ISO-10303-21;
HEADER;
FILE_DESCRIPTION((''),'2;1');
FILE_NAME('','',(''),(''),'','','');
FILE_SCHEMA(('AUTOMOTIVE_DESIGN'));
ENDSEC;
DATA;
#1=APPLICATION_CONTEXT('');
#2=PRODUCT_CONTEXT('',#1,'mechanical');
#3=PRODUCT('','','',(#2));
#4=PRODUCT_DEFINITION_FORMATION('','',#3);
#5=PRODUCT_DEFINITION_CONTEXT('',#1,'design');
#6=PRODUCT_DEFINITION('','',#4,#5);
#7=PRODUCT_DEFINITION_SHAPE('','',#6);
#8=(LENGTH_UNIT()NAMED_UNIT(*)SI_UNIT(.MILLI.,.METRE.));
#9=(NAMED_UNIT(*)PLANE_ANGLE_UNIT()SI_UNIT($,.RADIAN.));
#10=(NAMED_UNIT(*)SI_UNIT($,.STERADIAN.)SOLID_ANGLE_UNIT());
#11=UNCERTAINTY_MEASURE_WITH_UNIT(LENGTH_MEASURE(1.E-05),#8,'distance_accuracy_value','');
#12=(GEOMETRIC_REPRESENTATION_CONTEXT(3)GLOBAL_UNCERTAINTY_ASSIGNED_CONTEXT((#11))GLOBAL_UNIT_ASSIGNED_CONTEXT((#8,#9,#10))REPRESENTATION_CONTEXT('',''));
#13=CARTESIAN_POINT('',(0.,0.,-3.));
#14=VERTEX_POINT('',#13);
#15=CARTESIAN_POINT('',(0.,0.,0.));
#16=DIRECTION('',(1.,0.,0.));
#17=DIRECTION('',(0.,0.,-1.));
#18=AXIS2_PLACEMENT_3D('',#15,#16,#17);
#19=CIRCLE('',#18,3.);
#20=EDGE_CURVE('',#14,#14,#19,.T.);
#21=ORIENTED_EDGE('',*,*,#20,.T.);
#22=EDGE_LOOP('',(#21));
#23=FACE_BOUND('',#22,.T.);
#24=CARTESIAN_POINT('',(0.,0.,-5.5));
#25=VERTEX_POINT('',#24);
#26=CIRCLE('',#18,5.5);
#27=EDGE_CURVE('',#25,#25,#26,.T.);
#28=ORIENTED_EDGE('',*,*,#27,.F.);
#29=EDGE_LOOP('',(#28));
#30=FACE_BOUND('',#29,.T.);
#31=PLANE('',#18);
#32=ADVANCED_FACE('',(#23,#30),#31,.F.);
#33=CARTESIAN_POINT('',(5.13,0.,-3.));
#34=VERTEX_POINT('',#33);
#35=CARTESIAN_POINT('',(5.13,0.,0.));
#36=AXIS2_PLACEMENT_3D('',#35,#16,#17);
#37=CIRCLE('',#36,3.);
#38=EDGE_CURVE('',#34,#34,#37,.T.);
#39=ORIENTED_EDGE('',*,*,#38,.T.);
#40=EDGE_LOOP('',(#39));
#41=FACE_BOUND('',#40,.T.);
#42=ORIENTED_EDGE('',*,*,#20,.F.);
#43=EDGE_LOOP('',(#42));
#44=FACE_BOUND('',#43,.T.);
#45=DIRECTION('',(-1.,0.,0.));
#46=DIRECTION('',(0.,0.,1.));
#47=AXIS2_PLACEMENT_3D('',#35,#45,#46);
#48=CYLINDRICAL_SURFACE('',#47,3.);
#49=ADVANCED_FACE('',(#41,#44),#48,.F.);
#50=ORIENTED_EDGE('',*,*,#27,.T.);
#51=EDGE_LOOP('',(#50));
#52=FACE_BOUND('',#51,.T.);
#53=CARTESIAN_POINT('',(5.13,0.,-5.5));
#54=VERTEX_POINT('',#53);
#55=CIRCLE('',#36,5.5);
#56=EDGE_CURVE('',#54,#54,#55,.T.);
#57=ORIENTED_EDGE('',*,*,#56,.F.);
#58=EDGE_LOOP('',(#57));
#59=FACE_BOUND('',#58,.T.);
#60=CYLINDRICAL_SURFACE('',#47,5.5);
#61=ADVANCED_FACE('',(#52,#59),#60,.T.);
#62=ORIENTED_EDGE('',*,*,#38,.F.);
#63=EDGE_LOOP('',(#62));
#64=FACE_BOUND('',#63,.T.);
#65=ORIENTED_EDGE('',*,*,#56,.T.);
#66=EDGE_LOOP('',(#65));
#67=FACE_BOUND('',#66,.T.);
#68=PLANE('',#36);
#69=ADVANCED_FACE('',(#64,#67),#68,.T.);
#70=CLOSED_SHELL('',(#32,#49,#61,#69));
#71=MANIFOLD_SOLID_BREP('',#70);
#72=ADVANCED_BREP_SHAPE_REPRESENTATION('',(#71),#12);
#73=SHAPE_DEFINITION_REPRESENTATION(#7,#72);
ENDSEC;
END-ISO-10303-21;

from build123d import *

# Parameters (mm, degrees)
SKETCH_1_R      = 5.5
SKETCH_1_R_2    = 3
EXTRUDE_1_DEPTH = 5.13


with BuildPart() as part:
    # 草图1 → 凸台-拉伸1 (new body)
    with BuildSketch(Plane(origin=(0, 0, 0), x_dir=(0, 0, -1), z_dir=(1, 0, 0))):
        Circle(SKETCH_1_R)
        Circle(SKETCH_1_R_2, mode=Mode.SUBTRACT)
    extrude(amount=EXTRUDE_1_DEPTH)


solid = part.part
